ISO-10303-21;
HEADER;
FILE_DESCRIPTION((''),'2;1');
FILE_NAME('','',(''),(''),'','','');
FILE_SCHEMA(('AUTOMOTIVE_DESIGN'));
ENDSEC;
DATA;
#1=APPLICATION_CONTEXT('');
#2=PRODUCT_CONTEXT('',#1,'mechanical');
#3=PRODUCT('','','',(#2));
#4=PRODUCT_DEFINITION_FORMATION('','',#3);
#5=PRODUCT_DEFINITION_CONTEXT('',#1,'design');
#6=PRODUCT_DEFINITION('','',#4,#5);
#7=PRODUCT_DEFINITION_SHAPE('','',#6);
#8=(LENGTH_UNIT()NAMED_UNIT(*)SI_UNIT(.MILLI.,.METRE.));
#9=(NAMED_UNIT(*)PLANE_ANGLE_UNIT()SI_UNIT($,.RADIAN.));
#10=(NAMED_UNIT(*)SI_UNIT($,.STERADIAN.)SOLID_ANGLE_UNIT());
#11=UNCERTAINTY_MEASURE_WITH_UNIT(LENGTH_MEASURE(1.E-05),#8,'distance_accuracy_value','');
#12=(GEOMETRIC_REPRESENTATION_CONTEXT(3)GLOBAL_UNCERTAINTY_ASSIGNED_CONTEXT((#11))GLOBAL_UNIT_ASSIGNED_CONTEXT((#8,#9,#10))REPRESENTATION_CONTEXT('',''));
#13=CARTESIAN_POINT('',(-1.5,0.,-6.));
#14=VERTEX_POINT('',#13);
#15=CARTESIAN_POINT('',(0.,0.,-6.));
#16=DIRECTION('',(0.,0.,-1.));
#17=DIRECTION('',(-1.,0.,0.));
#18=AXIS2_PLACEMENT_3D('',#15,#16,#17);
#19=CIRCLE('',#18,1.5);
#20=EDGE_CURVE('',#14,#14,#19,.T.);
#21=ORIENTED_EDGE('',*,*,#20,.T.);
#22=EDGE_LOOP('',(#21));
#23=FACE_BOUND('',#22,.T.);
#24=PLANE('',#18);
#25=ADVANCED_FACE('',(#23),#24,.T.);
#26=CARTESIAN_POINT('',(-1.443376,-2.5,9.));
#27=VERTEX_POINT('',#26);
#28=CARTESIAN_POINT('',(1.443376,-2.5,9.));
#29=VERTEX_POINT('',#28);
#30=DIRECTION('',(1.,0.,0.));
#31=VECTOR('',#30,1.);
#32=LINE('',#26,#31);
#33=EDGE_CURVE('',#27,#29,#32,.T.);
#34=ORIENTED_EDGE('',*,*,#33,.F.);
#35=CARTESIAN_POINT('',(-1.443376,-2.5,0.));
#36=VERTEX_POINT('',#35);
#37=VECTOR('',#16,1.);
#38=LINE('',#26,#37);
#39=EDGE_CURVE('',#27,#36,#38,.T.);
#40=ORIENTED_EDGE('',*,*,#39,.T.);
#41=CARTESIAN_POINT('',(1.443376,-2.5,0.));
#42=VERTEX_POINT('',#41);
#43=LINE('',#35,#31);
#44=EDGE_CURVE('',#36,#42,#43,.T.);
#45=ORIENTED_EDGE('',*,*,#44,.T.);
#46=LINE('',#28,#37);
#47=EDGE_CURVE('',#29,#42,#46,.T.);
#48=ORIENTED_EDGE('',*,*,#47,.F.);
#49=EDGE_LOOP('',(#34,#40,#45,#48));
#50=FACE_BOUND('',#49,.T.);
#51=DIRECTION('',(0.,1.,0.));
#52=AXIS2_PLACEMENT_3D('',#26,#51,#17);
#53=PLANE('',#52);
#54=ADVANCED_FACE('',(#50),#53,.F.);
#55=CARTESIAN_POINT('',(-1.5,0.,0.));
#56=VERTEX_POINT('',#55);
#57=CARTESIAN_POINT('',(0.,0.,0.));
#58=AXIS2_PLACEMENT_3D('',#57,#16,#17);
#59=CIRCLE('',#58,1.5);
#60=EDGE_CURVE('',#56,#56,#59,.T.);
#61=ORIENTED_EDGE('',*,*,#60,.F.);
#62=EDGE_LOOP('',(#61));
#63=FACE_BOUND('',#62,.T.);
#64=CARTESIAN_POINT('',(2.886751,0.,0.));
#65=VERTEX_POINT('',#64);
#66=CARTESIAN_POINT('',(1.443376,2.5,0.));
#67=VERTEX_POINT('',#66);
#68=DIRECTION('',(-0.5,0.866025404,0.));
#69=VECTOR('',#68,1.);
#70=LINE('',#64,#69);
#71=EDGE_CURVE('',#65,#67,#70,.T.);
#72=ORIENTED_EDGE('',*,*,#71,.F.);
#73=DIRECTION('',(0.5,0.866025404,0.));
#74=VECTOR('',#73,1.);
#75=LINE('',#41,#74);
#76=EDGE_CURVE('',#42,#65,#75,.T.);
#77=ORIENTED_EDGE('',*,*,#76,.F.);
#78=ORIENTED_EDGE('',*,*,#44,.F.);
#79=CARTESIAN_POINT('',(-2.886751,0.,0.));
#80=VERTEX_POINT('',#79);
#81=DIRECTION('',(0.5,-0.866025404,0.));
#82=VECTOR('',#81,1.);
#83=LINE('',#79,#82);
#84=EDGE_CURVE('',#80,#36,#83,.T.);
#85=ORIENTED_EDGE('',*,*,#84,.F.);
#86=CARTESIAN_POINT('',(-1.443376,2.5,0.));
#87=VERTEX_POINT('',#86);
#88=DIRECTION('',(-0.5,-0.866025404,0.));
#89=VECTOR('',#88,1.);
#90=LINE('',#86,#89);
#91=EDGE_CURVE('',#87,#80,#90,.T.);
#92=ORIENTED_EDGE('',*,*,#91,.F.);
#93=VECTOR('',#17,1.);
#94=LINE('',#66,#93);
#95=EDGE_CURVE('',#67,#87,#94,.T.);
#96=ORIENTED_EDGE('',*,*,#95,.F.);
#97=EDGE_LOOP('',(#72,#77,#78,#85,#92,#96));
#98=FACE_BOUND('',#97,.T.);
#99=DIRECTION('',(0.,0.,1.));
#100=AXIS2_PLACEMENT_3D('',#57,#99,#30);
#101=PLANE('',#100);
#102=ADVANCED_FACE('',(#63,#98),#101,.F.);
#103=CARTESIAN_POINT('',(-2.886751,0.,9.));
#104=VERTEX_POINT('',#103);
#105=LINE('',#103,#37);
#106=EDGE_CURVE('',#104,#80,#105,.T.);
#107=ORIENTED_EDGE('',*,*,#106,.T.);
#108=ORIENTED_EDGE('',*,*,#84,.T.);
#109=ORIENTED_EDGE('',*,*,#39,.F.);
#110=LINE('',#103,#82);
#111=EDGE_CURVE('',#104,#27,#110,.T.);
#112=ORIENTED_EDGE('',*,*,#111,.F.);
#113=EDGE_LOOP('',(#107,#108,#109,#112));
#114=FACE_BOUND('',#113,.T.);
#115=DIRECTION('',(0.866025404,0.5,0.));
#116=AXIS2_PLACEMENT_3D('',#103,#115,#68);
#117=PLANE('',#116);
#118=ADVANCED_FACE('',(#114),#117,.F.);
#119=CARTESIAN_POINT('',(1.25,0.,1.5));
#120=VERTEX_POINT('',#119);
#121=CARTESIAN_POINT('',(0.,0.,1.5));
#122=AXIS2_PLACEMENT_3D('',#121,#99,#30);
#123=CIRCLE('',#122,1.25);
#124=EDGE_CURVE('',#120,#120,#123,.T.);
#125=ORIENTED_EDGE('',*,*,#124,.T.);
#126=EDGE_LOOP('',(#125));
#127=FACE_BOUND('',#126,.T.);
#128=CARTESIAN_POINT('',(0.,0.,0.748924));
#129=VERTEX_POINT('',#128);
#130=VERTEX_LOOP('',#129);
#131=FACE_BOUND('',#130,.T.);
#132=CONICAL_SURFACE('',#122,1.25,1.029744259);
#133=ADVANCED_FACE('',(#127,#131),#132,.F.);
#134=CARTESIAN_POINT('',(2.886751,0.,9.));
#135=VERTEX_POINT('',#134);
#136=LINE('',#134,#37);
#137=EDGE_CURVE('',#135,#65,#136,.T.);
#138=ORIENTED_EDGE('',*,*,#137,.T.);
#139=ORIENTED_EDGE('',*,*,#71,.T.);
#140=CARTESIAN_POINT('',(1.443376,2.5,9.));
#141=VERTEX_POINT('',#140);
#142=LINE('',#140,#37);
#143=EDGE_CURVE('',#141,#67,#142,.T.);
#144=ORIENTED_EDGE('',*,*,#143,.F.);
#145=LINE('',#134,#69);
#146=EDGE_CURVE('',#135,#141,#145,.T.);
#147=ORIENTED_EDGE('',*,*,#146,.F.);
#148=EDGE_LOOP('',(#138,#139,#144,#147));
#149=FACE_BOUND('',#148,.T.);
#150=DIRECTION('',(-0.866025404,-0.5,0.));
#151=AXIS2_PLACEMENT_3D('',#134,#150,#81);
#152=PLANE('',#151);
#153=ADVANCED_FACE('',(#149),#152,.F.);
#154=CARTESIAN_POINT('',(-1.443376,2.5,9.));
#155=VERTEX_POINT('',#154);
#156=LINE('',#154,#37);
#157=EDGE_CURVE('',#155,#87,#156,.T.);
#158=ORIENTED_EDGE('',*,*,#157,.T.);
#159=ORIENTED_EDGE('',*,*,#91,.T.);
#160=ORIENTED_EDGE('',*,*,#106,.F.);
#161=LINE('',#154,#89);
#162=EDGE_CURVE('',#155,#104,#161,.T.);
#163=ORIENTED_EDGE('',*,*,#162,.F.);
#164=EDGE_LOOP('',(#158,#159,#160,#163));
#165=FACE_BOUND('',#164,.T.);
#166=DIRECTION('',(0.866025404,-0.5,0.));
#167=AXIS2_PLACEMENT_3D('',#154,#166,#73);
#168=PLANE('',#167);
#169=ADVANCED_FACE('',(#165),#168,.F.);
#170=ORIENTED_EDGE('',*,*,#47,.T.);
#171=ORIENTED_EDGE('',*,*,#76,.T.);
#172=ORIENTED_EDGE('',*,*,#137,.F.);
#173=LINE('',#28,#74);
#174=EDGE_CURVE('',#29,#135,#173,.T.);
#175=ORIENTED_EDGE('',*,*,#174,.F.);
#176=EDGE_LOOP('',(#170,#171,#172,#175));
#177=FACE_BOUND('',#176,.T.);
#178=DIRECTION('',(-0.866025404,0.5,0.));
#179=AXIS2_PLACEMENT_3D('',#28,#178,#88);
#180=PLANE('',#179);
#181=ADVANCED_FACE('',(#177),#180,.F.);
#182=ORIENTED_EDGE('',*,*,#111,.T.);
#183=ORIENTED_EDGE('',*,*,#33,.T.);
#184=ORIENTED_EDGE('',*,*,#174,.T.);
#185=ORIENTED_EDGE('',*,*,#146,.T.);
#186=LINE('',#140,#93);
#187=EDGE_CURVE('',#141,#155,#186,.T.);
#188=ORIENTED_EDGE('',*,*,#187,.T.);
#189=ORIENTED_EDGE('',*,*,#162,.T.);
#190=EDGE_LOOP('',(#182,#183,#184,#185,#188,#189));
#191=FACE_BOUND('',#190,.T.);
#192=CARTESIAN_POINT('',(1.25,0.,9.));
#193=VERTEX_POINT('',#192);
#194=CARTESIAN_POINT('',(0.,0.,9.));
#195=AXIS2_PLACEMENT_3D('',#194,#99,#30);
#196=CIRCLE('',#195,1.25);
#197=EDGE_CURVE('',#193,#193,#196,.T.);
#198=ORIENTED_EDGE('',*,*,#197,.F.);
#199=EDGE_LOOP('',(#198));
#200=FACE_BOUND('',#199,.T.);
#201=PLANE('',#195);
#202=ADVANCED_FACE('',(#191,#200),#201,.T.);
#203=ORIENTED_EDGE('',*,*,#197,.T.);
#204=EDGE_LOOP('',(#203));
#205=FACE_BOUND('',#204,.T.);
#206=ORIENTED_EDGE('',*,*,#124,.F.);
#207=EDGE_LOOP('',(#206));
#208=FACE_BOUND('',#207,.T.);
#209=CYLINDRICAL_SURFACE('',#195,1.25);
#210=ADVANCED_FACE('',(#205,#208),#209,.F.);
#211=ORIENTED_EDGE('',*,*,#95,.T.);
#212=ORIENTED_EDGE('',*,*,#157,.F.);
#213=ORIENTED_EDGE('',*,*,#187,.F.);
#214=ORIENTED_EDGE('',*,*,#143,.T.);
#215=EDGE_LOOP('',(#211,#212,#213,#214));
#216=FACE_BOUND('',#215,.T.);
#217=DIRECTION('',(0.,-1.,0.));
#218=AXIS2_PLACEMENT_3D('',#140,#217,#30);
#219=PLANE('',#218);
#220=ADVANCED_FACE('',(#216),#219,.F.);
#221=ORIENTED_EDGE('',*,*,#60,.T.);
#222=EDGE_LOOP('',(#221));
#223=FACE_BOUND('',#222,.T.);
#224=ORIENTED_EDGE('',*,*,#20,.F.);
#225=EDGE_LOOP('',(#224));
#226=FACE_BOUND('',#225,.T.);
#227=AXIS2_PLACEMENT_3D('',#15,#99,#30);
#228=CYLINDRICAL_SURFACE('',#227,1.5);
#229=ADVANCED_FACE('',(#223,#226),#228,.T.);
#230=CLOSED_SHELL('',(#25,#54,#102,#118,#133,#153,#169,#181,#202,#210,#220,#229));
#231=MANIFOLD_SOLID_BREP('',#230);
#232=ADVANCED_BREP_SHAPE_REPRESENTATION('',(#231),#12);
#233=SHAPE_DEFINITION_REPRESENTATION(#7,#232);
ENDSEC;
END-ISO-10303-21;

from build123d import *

# Parameters (mm, degrees)
EXTRUDE_1_DEPTH = 9
SKETCH_4_R      = 1.5
EXTRUDE_2_DEPTH = 6
M3X0_5_1_D      = 2.5
M3X0_5_1_DEPTH  = 7.5
M3X0_5_1_TIP    = 0.751075774


with BuildPart() as part:
    # 草圖1 → 填料-伸長1 (new body)
    with BuildSketch(Plane.XY):
        Polygon((-1.443375673, 2.5), (-2.886751346, 0), (-1.443375673, -2.5), (1.443375673, -2.5), (2.886751346, 0), (1.443375673, 2.5), align=None)
    extrude(amount=EXTRUDE_1_DEPTH)

    # 草圖4 → 填料-伸長2 (add)
    with BuildSketch(Plane(origin=(0, 0, 0), x_dir=(-1, 0, 0), z_dir=(0, 0, -1))):
        Circle(SKETCH_4_R)
    extrude(amount=EXTRUDE_2_DEPTH)

    # M3x0.5 螺紋孔1
    with Locations(Plane.XY.offset(9)):
        with Locations((0, 0)):
            Hole(M3X0_5_1_D / 2, depth=M3X0_5_1_DEPTH)
            with Locations((0, 0, -(M3X0_5_1_DEPTH + M3X0_5_1_TIP / 2))):  # 118° drill point
                Cone(0, M3X0_5_1_D / 2, M3X0_5_1_TIP, mode=Mode.SUBTRACT)


solid = part.part
